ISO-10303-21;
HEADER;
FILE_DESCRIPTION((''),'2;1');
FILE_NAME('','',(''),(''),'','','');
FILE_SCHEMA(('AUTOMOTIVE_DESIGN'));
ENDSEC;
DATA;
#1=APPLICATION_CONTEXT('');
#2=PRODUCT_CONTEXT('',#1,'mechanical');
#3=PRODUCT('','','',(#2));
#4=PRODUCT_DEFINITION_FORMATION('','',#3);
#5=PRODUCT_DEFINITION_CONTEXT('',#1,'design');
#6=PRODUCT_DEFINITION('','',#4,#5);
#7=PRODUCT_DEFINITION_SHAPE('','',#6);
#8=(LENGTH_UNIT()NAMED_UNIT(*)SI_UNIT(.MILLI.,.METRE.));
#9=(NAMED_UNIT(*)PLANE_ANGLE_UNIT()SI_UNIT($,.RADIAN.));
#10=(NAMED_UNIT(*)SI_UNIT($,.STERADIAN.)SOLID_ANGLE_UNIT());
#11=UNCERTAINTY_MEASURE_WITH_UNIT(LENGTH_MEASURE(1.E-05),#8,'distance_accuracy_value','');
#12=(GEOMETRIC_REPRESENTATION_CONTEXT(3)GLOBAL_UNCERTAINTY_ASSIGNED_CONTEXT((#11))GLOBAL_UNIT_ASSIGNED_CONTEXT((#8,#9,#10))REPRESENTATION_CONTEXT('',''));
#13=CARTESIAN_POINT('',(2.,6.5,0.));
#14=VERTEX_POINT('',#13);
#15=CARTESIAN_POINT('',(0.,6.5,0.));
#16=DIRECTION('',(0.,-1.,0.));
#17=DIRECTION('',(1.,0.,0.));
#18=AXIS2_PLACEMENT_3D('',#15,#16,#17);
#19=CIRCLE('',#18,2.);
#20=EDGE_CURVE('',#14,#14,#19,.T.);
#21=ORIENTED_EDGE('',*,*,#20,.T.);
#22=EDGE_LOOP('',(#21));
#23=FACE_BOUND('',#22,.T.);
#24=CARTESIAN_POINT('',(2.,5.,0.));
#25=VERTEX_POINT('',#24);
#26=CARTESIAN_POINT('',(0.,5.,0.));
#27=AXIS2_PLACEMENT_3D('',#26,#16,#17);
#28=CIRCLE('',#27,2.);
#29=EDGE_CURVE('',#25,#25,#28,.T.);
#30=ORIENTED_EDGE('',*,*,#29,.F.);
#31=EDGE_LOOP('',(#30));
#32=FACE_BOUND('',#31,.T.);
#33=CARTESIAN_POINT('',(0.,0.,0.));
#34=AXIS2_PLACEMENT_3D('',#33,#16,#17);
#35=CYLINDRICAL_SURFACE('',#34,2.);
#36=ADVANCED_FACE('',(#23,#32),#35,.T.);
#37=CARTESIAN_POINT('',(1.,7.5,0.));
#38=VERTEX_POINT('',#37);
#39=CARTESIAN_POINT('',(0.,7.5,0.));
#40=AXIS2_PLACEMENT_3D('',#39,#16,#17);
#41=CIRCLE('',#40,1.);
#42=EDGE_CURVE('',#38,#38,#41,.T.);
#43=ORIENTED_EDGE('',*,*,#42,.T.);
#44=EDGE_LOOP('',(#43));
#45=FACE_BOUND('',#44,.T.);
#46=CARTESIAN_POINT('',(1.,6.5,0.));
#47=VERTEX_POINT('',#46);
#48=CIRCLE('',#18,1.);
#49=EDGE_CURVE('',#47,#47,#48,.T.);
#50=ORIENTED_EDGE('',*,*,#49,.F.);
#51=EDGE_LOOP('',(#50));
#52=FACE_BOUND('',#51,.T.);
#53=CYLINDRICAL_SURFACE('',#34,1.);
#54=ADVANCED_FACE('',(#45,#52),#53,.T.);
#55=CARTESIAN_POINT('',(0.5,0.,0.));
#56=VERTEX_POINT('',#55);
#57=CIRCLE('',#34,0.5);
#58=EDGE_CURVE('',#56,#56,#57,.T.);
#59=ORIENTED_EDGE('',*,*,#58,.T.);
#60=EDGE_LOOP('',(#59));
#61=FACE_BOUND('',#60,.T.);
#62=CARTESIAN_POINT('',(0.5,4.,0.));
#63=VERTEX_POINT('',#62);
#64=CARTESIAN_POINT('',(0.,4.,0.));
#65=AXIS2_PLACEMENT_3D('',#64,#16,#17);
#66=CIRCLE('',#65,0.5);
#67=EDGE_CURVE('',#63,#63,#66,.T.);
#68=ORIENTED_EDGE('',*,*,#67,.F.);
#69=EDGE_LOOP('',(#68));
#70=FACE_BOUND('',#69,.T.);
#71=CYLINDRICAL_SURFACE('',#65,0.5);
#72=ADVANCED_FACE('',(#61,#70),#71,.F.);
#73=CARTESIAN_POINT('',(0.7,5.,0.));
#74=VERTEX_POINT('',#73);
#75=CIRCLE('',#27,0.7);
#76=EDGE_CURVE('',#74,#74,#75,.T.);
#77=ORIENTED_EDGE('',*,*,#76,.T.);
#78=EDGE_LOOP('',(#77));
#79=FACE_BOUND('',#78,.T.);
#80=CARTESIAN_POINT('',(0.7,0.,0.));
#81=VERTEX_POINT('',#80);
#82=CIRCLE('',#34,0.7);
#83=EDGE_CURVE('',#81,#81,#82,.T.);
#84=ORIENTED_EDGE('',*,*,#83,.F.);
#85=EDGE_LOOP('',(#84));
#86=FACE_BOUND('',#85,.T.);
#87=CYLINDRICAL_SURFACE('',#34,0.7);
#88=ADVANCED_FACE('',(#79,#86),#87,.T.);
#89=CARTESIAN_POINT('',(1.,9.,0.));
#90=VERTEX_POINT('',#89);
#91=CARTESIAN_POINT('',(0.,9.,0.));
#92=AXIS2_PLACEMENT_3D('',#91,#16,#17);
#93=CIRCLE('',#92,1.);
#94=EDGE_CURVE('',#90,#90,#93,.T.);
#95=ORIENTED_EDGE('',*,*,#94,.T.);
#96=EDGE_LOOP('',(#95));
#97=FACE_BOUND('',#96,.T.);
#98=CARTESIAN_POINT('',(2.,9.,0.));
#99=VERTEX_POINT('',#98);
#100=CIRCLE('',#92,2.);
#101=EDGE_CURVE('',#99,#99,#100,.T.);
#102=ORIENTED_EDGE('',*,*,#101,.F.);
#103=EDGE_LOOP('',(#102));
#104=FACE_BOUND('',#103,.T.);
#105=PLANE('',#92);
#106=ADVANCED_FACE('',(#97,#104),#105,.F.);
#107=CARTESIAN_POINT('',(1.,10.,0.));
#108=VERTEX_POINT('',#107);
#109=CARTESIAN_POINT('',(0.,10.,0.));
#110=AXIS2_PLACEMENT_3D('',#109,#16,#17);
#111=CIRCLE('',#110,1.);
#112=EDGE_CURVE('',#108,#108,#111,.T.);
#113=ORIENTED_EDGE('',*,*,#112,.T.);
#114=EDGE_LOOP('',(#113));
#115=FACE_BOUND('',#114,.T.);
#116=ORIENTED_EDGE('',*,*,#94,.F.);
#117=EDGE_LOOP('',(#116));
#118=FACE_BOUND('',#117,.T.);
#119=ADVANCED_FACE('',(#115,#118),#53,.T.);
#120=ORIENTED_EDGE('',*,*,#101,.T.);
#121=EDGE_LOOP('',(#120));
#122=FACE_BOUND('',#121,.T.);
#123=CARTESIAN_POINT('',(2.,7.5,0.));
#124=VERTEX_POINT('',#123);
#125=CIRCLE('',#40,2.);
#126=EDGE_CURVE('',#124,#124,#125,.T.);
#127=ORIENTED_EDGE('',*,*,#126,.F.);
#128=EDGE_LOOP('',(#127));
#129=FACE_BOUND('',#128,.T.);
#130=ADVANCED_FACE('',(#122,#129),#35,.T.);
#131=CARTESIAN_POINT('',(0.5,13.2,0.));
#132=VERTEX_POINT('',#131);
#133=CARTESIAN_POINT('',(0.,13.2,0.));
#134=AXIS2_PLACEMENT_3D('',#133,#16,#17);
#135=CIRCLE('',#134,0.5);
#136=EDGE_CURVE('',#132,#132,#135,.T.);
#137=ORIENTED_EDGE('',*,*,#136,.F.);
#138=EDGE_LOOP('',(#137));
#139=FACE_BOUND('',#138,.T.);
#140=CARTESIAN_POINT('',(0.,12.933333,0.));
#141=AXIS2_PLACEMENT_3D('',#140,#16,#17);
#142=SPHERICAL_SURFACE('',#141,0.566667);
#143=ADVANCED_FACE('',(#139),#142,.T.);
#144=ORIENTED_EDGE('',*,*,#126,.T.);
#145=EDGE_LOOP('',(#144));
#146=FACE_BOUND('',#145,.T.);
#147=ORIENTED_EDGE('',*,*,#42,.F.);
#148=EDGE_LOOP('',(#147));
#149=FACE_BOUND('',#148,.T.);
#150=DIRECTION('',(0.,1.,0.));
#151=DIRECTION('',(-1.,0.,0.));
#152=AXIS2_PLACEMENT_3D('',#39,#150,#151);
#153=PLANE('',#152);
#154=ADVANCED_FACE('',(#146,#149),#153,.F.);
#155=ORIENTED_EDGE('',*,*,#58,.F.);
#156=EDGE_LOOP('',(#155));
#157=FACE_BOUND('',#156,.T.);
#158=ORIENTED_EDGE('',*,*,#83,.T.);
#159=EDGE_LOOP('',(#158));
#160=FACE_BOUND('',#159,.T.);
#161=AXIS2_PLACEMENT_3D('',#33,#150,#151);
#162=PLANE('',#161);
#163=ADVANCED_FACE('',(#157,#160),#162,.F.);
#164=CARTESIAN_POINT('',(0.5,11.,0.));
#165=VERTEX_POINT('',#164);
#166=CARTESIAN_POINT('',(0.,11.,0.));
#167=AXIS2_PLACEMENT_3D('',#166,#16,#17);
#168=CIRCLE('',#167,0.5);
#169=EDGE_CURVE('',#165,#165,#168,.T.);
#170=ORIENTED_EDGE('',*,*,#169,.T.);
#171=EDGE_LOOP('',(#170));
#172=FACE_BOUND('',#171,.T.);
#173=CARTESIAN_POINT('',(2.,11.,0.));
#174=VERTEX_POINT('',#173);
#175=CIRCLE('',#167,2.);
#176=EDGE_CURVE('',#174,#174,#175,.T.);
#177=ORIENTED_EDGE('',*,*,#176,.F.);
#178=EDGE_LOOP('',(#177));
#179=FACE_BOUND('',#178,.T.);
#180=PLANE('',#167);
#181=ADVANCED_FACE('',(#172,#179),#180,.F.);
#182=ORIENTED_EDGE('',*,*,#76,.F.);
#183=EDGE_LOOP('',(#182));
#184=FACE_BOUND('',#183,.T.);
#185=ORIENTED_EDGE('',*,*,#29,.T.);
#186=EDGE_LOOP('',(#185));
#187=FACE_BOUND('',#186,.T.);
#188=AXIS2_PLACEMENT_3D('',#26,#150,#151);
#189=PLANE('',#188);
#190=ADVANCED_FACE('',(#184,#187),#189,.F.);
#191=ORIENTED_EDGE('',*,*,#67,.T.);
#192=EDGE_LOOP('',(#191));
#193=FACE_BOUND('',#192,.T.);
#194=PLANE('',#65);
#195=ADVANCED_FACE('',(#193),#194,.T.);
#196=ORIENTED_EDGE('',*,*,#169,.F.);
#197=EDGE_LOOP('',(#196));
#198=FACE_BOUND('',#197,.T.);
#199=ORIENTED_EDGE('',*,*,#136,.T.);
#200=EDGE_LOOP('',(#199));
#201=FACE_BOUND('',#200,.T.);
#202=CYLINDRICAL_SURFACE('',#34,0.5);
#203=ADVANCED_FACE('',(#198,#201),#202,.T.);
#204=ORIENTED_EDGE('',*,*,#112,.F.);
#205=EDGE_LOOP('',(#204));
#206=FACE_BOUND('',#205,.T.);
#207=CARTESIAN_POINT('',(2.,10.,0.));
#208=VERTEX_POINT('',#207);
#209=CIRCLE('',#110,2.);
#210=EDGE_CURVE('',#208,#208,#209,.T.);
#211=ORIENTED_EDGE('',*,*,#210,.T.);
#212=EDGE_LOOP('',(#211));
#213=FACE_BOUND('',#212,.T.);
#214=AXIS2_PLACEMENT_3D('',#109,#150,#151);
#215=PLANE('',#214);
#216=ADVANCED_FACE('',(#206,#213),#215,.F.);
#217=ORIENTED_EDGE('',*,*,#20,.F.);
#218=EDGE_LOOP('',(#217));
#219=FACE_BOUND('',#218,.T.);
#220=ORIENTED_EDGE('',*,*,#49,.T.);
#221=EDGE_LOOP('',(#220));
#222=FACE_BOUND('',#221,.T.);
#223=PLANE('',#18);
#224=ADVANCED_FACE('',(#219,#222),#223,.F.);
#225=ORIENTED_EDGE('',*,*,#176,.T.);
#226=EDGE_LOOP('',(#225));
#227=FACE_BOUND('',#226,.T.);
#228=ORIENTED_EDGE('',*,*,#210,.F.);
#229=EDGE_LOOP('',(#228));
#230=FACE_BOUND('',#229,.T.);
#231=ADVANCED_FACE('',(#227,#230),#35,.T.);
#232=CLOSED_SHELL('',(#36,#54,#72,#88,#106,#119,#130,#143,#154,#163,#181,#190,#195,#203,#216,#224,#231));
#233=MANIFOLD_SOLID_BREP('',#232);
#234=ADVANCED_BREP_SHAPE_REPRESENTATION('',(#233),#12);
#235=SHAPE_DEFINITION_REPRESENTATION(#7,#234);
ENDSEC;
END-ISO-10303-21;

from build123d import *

# Parameters (mm, degrees)
CUT_EXTRUDE_START   = -4
SKETCH_2_R          = 0.5
CUT_EXTRUDE_1_DEPTH = 4
DOME_1_FACE_RADIUS  = 0.5
DOME_1_HEIGHT       = 0.3


with BuildPart() as part:
    # 草图1 → 旋转2 (revolve)
    with BuildSketch(Plane.XY):
        Polygon((0, 13.2), (0, 0), (0.7, 0), (0.7, 5), (2, 5), (2, 6.5), (1, 6.5), (1, 7.5), (2, 7.5), (2, 9), (1, 9), (1, 10), (2, 10), (2, 11), (0.5, 11), (0.5, 13.2), align=None)
    revolve(axis=Axis((0, 0, 0), (0, 1, 0)))

    # 草图2 → 切除-拉伸1 (cut)
    with BuildSketch(Plane(origin=(0, 0, 0), x_dir=(-1, 0, 0), z_dir=(0, -1, 0)).offset(CUT_EXTRUDE_START)):
        with Locations(Location((0, 0, 0), (0, 0, 180))):
            Circle(SKETCH_2_R)
    extrude(amount=CUT_EXTRUDE_1_DEPTH, mode=Mode.SUBTRACT)

    # 圆顶1: a dome of height H over a round flat face of radius A is a cap of a sphere of radius (A * A + H * H) / (2 * H)
    dome_1_r = (DOME_1_FACE_RADIUS * DOME_1_FACE_RADIUS + DOME_1_HEIGHT * DOME_1_HEIGHT) / (2 * DOME_1_HEIGHT)
    dome_1_base = Plane((0, 13.2, 0), z_dir=(0, 1, 0))
    with Locations(dome_1_base.offset(DOME_1_HEIGHT - dome_1_r)):
        dome_1_ball = Sphere(dome_1_r, mode=Mode.PRIVATE)
    add(split(dome_1_ball, bisect_by=dome_1_base, keep=Keep.TOP, mode=Mode.PRIVATE))


solid = part.part
